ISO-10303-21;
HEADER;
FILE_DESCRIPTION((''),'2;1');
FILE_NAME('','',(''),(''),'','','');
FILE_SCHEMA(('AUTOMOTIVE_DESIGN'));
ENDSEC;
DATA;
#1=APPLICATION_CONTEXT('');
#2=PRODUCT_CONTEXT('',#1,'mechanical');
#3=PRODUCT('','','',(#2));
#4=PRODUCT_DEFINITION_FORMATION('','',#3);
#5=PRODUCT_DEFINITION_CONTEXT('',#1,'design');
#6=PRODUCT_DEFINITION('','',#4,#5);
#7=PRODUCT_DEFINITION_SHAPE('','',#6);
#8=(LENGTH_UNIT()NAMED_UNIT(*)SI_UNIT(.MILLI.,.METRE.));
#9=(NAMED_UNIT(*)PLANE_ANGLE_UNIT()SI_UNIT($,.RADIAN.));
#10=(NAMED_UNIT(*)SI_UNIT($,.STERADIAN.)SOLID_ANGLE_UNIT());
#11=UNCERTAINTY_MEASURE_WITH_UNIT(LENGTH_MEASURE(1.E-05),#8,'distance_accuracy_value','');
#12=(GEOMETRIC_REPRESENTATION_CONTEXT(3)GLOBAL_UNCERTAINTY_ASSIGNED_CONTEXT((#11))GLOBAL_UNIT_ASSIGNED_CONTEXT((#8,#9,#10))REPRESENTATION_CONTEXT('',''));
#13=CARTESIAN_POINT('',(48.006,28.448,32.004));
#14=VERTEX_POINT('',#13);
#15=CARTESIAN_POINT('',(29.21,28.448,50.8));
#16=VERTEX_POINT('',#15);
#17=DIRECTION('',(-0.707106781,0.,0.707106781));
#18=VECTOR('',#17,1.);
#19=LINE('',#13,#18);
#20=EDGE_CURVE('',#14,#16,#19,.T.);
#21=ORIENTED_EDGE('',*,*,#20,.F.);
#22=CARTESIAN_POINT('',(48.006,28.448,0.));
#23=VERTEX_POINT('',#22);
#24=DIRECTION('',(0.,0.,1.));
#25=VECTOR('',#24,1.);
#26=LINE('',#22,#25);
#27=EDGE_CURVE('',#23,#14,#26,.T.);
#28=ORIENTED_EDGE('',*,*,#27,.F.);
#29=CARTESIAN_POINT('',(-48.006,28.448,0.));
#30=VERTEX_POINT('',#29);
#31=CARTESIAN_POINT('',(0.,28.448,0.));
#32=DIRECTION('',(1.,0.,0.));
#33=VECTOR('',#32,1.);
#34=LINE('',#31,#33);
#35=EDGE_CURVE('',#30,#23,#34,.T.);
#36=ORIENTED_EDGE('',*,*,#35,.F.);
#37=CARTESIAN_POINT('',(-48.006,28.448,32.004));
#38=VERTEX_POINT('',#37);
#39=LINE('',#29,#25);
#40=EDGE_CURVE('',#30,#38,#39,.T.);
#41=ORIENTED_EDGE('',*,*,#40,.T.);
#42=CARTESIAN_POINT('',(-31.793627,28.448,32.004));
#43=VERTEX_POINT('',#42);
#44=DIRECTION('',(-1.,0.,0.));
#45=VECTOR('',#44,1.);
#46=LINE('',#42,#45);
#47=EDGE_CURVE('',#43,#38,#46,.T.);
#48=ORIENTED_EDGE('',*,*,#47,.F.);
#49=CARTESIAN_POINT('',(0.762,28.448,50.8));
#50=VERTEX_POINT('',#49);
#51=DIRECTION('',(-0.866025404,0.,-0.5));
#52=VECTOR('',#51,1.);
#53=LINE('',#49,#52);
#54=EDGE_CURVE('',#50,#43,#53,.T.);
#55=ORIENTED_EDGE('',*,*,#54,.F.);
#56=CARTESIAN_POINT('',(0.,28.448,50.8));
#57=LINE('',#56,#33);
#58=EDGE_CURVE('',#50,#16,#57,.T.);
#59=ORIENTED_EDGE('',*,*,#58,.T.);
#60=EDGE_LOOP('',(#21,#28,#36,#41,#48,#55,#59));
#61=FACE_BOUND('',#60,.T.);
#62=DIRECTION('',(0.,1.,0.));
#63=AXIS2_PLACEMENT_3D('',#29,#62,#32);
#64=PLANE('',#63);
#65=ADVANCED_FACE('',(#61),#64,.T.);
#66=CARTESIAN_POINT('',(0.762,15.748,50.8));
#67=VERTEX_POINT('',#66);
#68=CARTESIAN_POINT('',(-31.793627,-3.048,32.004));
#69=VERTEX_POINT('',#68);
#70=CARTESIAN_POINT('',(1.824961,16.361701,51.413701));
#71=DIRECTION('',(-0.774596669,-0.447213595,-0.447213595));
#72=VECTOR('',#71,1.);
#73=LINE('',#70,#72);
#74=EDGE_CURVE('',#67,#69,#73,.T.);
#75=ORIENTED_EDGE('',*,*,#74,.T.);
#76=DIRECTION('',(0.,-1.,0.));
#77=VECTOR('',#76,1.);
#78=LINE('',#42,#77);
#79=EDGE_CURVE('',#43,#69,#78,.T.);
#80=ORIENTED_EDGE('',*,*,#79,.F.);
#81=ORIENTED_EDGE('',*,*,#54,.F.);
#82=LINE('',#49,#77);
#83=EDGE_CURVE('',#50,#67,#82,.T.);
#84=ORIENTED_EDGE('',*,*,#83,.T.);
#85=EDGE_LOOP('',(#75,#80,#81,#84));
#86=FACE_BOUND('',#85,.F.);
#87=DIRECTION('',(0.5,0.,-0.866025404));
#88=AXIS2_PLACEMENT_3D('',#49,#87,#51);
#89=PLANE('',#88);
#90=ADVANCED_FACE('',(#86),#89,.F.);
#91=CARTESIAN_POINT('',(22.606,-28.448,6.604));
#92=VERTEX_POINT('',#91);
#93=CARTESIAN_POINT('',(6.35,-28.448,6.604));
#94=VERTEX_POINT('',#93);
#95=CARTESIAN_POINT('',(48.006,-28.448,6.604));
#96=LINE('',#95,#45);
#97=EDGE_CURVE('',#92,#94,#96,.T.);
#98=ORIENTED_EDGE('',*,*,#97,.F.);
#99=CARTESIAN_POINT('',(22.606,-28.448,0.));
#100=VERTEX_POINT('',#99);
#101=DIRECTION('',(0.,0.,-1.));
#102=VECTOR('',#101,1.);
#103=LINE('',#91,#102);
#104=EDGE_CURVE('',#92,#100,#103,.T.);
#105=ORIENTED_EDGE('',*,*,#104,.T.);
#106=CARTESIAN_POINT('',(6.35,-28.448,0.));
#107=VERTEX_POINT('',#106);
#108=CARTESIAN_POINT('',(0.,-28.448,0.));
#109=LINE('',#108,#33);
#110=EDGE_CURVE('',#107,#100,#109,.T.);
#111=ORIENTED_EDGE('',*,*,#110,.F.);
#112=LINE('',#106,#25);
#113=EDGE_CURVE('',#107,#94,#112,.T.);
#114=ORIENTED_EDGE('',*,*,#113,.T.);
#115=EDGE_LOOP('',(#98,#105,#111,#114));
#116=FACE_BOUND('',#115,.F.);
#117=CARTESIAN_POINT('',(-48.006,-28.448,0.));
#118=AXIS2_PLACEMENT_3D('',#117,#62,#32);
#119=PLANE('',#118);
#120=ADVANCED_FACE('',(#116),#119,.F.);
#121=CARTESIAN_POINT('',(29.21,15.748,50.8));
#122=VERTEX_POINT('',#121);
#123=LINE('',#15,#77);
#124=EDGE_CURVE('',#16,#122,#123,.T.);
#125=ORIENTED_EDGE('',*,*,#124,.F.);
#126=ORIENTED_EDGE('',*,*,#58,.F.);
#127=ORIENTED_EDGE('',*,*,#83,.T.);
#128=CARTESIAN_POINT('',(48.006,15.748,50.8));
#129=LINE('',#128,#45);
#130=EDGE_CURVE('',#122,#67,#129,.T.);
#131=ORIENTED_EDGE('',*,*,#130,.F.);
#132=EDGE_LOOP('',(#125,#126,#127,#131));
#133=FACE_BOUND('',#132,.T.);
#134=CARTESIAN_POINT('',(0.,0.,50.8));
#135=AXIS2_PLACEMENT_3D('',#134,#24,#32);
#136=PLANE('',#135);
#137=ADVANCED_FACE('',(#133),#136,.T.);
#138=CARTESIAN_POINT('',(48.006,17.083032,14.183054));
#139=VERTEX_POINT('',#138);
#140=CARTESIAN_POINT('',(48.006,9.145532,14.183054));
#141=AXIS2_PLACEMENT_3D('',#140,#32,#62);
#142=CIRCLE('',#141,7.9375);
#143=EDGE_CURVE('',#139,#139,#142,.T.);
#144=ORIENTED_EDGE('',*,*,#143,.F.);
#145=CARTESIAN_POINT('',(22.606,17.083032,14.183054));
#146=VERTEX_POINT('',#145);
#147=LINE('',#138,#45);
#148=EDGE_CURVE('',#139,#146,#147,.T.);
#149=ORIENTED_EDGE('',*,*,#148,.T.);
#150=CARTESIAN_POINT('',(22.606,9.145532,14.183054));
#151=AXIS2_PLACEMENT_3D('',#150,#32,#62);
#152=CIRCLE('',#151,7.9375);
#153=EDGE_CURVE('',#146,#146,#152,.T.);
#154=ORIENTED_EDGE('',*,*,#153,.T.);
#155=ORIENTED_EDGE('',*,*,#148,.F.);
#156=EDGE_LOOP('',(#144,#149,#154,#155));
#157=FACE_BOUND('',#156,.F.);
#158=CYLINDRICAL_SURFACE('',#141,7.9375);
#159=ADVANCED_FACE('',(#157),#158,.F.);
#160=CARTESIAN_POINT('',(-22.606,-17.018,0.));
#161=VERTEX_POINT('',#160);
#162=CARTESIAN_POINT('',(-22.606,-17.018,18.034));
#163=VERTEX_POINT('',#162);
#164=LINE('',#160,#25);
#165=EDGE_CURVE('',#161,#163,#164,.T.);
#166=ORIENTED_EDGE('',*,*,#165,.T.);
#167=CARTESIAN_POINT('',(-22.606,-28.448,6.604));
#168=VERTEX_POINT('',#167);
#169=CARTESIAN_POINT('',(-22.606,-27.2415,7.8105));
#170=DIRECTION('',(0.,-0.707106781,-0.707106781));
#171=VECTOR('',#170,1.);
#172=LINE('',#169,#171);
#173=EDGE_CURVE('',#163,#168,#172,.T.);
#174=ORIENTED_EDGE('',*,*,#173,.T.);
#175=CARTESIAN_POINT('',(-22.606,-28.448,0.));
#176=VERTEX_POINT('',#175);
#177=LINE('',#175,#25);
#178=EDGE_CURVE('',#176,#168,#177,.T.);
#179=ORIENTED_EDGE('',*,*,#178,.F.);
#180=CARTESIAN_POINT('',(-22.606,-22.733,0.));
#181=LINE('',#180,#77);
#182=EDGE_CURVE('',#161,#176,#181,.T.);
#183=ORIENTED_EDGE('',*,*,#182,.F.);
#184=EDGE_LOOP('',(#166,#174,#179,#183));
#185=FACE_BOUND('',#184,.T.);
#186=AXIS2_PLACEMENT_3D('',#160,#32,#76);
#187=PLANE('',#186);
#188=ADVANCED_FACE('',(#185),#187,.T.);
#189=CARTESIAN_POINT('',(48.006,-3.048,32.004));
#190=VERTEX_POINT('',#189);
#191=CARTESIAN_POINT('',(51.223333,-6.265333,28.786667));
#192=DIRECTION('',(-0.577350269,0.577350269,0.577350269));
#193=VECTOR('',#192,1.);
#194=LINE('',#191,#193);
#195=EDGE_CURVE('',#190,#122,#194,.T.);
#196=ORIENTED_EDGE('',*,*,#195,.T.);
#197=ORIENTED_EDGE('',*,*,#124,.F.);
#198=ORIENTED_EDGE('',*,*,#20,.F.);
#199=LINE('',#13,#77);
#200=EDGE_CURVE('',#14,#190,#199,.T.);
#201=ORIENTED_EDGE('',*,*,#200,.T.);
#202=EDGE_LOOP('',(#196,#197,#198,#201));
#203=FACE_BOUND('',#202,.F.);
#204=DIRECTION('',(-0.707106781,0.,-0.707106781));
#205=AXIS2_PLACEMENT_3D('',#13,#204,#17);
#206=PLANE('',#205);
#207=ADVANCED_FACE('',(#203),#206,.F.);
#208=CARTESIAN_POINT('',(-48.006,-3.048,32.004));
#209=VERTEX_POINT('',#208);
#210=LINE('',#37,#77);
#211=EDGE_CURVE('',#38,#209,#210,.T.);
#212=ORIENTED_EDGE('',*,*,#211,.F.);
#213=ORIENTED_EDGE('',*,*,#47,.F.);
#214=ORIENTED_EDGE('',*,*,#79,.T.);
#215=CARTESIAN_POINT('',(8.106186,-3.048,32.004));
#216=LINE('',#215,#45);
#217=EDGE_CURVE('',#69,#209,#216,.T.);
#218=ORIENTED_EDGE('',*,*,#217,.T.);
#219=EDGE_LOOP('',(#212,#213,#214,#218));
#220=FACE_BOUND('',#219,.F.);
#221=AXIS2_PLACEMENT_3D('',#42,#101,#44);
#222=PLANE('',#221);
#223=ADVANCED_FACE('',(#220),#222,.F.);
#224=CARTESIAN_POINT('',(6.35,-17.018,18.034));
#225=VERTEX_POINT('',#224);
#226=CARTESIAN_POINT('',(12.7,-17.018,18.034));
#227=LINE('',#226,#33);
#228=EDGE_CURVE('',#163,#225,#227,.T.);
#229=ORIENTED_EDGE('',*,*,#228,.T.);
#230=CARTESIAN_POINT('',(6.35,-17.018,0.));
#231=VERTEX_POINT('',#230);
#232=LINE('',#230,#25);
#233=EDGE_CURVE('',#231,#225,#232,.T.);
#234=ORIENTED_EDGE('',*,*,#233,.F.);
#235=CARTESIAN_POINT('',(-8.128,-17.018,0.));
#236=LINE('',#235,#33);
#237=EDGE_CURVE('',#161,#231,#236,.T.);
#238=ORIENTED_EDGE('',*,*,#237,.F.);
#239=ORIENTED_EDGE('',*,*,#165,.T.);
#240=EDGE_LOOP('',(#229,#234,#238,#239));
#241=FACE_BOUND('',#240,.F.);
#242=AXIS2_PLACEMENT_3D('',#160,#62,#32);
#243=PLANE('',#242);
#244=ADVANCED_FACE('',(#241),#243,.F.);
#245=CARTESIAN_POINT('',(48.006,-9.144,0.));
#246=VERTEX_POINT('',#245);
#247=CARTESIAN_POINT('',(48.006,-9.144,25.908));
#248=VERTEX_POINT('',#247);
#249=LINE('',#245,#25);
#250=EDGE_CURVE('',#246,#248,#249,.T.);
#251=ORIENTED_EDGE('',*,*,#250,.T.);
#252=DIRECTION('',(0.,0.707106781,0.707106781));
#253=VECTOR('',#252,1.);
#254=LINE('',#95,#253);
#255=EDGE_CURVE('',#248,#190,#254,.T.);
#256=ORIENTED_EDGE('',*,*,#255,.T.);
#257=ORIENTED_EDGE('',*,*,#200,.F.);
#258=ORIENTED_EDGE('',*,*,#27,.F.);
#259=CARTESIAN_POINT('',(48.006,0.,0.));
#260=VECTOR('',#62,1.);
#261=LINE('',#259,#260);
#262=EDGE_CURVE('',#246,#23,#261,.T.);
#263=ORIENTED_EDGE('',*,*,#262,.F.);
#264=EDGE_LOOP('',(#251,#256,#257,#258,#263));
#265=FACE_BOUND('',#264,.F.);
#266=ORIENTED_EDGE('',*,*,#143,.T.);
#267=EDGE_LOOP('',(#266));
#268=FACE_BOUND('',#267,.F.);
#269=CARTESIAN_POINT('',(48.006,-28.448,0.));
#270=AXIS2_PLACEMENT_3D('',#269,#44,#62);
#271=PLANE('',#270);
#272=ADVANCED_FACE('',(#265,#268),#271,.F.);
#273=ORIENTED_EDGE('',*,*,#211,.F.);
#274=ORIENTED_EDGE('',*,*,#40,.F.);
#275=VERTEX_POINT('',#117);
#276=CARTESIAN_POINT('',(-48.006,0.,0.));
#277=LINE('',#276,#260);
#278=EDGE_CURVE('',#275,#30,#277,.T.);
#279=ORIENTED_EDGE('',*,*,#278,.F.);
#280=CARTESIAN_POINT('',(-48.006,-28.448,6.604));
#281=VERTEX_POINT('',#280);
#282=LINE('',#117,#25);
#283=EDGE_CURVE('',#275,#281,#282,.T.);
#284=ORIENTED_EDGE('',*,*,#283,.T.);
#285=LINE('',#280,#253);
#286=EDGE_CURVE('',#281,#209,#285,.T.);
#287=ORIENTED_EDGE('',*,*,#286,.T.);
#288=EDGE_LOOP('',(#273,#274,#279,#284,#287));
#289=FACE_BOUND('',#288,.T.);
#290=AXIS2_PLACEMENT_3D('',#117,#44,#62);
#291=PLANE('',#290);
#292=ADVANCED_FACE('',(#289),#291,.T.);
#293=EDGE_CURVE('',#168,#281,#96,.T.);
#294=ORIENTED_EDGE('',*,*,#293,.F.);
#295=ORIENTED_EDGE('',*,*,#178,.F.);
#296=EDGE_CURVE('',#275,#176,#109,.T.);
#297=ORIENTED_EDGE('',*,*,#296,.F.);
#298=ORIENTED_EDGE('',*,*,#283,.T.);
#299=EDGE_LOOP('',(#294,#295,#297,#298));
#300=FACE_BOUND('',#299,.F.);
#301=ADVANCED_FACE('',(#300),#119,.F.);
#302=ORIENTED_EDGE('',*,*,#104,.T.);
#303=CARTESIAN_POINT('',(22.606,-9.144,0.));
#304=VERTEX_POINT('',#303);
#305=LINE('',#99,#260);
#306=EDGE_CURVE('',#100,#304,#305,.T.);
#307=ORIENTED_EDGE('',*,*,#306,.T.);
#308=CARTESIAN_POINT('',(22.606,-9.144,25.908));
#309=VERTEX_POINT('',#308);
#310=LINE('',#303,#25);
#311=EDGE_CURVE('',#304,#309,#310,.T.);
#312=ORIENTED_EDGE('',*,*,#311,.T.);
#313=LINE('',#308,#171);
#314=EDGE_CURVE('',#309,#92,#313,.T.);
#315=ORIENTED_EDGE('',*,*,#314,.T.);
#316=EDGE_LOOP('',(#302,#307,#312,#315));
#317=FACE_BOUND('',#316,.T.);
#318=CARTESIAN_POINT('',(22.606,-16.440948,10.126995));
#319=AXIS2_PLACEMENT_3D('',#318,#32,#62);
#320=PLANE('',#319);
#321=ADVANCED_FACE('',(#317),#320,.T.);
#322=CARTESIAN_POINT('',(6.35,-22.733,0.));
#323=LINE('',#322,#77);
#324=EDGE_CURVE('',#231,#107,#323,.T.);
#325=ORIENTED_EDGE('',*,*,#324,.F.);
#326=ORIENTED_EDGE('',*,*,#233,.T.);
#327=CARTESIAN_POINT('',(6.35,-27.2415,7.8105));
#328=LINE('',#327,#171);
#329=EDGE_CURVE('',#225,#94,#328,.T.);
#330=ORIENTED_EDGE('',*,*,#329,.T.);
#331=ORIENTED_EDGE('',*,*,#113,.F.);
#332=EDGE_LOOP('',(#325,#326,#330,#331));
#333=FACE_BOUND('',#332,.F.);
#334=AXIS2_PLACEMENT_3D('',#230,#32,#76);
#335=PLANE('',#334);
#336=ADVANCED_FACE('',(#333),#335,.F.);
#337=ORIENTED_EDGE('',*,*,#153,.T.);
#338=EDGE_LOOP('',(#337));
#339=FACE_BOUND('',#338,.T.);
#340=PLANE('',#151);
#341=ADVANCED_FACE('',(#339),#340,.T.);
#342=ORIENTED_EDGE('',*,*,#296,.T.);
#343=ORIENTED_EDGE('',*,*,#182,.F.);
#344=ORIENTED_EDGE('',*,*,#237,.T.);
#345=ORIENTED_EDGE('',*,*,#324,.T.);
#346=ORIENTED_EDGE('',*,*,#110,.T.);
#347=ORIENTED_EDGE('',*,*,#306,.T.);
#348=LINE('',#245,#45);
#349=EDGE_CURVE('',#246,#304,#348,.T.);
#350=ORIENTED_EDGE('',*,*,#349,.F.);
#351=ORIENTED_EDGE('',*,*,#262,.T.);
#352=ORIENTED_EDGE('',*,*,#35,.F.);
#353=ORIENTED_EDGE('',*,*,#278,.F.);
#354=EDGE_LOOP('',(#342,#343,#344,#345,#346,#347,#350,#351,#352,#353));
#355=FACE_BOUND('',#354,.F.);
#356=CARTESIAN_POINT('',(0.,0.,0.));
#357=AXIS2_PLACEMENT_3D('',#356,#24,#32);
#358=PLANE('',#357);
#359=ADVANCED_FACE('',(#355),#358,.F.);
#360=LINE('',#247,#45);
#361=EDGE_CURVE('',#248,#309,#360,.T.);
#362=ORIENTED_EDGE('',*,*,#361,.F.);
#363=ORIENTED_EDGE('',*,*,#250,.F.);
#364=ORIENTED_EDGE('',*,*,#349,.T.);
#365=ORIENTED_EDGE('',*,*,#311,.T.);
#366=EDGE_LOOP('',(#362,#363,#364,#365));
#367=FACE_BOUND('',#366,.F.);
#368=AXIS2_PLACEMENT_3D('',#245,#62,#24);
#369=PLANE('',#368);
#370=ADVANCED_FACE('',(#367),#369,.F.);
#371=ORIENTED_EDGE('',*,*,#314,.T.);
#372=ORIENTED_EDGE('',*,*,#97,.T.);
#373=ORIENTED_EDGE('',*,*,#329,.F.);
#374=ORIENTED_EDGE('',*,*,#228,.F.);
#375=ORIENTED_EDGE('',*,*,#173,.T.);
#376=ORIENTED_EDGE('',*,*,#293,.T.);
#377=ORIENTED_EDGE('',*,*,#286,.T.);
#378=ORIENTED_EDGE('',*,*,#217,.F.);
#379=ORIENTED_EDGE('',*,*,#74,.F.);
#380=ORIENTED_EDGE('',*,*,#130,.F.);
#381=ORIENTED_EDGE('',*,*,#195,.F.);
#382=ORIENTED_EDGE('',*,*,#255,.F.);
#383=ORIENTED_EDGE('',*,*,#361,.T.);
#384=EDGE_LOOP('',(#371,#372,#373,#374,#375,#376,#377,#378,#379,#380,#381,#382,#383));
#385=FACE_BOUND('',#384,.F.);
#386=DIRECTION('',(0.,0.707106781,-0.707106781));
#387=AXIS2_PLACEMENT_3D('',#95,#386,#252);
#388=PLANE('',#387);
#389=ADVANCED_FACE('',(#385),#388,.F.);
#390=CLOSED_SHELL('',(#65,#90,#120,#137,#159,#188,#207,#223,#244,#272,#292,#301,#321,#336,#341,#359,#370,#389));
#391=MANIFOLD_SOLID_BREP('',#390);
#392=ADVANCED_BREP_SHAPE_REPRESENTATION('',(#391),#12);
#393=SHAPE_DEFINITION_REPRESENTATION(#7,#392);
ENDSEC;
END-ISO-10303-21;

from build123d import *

# Parameters (mm, degrees)
F0_W      = 96.012
F0_H      = 56.896
F1_DEPTH  = 50.8
F3_DEPTH  = 96.012
F5_DEPTH  = 31.75
F7_DEPTH  = 25.4
F8_W      = 28.956
F8_H      = 11.43
F9_DEPTH  = 59.436
F11_DEPTH = 37.084
F12_R     = 7.9375
F13_DEPTH = 25.4


with BuildPart() as f1:
    # F0 (on Top) → F1 (new body)
    with BuildSketch(Plane.XY):
        Rectangle(F0_W, F0_H)
    extrude(amount=F1_DEPTH)

    # F2 (on face) → F3 (cut)
    with BuildSketch(Plane.YZ.offset(48.006)):
        Polygon((-28.448, 6.604), (15.748, 50.8), (-28.448, 50.8), align=None)
    extrude(amount=-F3_DEPTH, mode=Mode.SUBTRACT)

    # F4 (on face) → F5 (cut)
    with BuildSketch(Plane(origin=(0, 28.448, 0), x_dir=(-1, 0, 0), z_dir=(0, 1, 0))):
        Polygon((-48.006, 32.004), (-29.21, 50.8), (-48.006, 50.8), align=None)
    extrude(amount=-F5_DEPTH, mode=Mode.SUBTRACT)

    # F6 (on face) → F7 (cut)
    with BuildSketch(Plane.YZ.offset(48.006)):
        Polygon((-9.144, 25.908), (-28.448, 6.604), (-28.448, 0), (-9.144, 0), align=None)
    extrude(amount=-F7_DEPTH, mode=Mode.SUBTRACT)

    # F8 (on face) → F9 (cut)
    with BuildSketch(Plane(origin=(0, 0, 0), x_dir=(1, 0, 0), z_dir=(0, 0, -1))):
        with Locations((-8.128, 22.733)):
            Rectangle(F8_W, F8_H)
    extrude(amount=-F9_DEPTH, mode=Mode.SUBTRACT)

    # F10 (on face) → F11 (cut)
    with BuildSketch(Plane(origin=(0, 28.448, 0), x_dir=(-1, 0, 0), z_dir=(0, 1, 0))):
        Polygon((48.006, 50.8), (-0.762, 50.8), (31.793627, 32.004), (48.006, 32.004), align=None)
    extrude(amount=-F11_DEPTH, mode=Mode.SUBTRACT)

    # F12 (on face) → F13 (cut)
    with BuildSketch(Plane.YZ.offset(48.006)):
        with Locations((9.145532, 14.183054)):
            Circle(F12_R)
    extrude(amount=-F13_DEPTH, mode=Mode.SUBTRACT)


solid = f1.part
